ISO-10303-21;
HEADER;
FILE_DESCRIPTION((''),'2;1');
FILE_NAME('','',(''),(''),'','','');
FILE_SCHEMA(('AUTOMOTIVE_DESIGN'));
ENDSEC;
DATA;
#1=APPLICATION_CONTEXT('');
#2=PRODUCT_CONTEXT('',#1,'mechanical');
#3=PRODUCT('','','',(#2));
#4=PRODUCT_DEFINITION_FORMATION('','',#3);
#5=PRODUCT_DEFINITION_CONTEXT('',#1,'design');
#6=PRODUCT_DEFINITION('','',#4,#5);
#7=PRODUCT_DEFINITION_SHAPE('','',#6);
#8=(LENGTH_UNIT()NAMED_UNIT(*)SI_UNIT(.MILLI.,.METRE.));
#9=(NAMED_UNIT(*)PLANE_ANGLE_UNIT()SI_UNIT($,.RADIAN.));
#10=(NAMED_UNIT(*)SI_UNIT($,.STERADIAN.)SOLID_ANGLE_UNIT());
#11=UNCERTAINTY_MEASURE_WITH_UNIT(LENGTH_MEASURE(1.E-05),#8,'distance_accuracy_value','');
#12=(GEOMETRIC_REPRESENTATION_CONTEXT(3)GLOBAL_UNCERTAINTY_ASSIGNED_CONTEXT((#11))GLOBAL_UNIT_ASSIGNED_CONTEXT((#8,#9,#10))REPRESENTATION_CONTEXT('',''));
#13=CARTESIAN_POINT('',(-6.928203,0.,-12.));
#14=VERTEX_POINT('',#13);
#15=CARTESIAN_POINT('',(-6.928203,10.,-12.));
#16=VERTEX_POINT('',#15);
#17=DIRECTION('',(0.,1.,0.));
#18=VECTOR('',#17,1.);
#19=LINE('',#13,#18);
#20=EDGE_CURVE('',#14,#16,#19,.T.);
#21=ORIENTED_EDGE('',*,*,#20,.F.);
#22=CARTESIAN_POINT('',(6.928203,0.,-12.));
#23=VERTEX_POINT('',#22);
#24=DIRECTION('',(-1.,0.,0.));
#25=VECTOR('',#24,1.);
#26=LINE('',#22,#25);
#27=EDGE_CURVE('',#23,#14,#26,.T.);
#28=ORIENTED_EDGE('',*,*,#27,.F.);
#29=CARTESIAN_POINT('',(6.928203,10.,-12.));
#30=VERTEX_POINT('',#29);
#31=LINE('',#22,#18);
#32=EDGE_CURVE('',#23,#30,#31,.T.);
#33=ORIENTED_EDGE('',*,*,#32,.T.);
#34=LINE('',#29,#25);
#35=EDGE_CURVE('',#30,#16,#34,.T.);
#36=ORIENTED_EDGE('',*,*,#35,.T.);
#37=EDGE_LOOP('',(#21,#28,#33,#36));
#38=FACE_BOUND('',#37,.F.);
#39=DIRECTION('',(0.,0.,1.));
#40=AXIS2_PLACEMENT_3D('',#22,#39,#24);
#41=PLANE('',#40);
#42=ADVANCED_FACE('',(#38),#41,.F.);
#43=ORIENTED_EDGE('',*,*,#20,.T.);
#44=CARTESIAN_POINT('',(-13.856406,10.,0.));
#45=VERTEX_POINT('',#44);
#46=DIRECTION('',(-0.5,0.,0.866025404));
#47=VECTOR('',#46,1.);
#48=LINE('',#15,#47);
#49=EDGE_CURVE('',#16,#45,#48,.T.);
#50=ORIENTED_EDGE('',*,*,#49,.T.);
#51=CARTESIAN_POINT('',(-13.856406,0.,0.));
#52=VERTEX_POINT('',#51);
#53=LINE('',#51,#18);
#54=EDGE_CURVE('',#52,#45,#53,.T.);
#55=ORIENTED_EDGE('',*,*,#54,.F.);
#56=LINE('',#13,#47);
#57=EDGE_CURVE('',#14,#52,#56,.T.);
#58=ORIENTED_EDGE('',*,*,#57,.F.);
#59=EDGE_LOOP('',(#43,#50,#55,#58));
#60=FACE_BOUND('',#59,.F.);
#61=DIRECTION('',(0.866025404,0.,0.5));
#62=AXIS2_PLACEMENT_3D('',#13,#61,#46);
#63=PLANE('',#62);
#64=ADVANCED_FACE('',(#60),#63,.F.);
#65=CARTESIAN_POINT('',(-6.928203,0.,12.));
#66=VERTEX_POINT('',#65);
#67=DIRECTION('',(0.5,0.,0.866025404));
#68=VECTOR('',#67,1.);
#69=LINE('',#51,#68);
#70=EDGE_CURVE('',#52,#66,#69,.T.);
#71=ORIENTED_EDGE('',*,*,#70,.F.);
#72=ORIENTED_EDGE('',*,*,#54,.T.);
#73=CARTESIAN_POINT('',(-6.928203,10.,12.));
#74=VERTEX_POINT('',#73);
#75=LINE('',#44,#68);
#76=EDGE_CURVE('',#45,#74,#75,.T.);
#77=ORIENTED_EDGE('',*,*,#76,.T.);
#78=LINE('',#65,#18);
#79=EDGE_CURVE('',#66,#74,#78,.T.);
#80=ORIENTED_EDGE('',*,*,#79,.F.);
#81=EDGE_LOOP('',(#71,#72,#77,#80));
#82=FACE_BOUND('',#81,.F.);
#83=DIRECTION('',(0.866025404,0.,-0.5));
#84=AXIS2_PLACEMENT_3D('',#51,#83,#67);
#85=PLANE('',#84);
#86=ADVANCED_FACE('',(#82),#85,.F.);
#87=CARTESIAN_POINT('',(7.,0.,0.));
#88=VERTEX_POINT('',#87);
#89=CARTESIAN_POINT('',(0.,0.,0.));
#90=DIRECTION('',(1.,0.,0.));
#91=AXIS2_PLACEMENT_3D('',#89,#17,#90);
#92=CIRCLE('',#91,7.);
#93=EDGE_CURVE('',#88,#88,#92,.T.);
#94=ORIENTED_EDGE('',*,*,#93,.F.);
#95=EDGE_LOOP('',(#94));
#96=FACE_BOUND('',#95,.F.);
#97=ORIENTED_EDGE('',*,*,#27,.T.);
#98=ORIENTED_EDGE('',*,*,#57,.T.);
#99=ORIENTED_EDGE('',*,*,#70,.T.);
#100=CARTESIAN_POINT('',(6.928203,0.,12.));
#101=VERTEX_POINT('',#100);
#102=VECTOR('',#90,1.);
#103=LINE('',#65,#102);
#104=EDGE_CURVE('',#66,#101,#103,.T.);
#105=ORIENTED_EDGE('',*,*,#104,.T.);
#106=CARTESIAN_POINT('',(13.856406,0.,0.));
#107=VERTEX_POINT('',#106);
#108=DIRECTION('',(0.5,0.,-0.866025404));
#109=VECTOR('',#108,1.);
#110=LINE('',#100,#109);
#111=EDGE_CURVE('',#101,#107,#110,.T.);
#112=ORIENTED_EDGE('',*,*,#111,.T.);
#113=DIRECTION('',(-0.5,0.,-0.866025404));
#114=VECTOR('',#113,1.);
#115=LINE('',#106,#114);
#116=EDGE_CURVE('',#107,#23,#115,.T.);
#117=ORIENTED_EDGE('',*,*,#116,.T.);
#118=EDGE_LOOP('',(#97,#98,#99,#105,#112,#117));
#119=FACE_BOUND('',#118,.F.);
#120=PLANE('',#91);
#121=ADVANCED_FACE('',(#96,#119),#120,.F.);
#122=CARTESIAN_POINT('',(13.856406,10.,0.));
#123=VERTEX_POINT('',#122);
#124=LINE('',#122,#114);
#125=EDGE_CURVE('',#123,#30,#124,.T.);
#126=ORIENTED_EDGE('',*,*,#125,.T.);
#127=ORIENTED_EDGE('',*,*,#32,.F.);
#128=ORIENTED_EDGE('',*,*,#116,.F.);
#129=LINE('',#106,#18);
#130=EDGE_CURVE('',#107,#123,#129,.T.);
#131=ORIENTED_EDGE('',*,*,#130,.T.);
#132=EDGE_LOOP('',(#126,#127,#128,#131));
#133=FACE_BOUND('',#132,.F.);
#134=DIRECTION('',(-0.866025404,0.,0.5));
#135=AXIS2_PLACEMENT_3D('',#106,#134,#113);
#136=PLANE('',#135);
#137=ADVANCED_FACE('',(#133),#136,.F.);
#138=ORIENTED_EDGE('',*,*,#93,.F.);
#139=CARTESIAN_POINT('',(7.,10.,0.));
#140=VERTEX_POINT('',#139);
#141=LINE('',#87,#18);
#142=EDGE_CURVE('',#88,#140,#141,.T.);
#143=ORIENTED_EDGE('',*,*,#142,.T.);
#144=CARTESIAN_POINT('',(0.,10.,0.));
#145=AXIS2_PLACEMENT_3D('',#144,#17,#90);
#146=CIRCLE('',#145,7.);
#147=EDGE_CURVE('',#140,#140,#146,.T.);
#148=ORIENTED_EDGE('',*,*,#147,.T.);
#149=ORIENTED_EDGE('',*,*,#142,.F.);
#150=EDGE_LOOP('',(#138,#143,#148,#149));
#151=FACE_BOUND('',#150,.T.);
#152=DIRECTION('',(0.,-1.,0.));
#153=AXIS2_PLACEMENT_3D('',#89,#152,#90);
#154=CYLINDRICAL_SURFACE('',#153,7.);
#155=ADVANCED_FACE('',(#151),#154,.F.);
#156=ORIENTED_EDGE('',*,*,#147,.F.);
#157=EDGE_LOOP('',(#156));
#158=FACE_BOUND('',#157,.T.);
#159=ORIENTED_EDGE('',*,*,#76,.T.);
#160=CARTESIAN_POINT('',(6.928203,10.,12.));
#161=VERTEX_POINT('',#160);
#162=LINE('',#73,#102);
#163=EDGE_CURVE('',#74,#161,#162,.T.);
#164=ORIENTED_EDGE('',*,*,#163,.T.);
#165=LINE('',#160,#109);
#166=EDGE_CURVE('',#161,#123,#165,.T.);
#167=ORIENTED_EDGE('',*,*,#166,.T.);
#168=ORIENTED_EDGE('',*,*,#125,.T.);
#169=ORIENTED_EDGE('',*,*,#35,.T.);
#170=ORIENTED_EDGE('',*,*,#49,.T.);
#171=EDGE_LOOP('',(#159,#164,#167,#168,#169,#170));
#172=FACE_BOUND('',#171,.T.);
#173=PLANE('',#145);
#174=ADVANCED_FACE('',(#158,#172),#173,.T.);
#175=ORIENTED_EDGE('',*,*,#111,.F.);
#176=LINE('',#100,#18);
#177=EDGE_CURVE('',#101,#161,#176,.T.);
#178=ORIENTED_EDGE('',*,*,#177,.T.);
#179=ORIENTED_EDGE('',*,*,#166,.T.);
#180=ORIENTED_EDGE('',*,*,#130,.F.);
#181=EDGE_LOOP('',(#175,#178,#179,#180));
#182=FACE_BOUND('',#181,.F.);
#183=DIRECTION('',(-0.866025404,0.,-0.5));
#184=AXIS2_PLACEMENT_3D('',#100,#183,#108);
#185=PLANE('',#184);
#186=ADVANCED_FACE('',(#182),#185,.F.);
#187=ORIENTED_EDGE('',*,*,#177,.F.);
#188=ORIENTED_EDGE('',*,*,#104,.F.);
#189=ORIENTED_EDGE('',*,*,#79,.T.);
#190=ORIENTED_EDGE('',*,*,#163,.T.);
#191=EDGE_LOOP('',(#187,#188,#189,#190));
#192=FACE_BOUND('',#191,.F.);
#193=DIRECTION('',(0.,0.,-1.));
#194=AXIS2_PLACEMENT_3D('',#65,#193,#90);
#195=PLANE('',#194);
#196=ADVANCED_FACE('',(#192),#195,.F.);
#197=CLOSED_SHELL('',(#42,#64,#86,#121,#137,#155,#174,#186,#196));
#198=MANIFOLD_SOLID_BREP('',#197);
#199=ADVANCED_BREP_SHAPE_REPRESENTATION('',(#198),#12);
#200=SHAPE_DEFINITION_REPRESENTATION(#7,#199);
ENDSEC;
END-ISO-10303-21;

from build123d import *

# Parameters (mm, degrees)
SKETCH1_R           = 7
BOSS_EXTRUDE1_DEPTH = 10


with BuildPart() as part:
    # Sketch1 → Boss-Extrude1 (new body)
    with BuildSketch(Plane(origin=(0, 0, 0), x_dir=(1, 0, 0), z_dir=(0, 1, 0))):
        Polygon((13.856406461, 0), (6.92820323, 12), (-6.92820323, 12), (-13.856406461, 0), (-6.92820323, -12), (6.92820323, -12), align=None)
        Circle(SKETCH1_R, mode=Mode.SUBTRACT)
    extrude(amount=BOSS_EXTRUDE1_DEPTH)


solid = part.part
